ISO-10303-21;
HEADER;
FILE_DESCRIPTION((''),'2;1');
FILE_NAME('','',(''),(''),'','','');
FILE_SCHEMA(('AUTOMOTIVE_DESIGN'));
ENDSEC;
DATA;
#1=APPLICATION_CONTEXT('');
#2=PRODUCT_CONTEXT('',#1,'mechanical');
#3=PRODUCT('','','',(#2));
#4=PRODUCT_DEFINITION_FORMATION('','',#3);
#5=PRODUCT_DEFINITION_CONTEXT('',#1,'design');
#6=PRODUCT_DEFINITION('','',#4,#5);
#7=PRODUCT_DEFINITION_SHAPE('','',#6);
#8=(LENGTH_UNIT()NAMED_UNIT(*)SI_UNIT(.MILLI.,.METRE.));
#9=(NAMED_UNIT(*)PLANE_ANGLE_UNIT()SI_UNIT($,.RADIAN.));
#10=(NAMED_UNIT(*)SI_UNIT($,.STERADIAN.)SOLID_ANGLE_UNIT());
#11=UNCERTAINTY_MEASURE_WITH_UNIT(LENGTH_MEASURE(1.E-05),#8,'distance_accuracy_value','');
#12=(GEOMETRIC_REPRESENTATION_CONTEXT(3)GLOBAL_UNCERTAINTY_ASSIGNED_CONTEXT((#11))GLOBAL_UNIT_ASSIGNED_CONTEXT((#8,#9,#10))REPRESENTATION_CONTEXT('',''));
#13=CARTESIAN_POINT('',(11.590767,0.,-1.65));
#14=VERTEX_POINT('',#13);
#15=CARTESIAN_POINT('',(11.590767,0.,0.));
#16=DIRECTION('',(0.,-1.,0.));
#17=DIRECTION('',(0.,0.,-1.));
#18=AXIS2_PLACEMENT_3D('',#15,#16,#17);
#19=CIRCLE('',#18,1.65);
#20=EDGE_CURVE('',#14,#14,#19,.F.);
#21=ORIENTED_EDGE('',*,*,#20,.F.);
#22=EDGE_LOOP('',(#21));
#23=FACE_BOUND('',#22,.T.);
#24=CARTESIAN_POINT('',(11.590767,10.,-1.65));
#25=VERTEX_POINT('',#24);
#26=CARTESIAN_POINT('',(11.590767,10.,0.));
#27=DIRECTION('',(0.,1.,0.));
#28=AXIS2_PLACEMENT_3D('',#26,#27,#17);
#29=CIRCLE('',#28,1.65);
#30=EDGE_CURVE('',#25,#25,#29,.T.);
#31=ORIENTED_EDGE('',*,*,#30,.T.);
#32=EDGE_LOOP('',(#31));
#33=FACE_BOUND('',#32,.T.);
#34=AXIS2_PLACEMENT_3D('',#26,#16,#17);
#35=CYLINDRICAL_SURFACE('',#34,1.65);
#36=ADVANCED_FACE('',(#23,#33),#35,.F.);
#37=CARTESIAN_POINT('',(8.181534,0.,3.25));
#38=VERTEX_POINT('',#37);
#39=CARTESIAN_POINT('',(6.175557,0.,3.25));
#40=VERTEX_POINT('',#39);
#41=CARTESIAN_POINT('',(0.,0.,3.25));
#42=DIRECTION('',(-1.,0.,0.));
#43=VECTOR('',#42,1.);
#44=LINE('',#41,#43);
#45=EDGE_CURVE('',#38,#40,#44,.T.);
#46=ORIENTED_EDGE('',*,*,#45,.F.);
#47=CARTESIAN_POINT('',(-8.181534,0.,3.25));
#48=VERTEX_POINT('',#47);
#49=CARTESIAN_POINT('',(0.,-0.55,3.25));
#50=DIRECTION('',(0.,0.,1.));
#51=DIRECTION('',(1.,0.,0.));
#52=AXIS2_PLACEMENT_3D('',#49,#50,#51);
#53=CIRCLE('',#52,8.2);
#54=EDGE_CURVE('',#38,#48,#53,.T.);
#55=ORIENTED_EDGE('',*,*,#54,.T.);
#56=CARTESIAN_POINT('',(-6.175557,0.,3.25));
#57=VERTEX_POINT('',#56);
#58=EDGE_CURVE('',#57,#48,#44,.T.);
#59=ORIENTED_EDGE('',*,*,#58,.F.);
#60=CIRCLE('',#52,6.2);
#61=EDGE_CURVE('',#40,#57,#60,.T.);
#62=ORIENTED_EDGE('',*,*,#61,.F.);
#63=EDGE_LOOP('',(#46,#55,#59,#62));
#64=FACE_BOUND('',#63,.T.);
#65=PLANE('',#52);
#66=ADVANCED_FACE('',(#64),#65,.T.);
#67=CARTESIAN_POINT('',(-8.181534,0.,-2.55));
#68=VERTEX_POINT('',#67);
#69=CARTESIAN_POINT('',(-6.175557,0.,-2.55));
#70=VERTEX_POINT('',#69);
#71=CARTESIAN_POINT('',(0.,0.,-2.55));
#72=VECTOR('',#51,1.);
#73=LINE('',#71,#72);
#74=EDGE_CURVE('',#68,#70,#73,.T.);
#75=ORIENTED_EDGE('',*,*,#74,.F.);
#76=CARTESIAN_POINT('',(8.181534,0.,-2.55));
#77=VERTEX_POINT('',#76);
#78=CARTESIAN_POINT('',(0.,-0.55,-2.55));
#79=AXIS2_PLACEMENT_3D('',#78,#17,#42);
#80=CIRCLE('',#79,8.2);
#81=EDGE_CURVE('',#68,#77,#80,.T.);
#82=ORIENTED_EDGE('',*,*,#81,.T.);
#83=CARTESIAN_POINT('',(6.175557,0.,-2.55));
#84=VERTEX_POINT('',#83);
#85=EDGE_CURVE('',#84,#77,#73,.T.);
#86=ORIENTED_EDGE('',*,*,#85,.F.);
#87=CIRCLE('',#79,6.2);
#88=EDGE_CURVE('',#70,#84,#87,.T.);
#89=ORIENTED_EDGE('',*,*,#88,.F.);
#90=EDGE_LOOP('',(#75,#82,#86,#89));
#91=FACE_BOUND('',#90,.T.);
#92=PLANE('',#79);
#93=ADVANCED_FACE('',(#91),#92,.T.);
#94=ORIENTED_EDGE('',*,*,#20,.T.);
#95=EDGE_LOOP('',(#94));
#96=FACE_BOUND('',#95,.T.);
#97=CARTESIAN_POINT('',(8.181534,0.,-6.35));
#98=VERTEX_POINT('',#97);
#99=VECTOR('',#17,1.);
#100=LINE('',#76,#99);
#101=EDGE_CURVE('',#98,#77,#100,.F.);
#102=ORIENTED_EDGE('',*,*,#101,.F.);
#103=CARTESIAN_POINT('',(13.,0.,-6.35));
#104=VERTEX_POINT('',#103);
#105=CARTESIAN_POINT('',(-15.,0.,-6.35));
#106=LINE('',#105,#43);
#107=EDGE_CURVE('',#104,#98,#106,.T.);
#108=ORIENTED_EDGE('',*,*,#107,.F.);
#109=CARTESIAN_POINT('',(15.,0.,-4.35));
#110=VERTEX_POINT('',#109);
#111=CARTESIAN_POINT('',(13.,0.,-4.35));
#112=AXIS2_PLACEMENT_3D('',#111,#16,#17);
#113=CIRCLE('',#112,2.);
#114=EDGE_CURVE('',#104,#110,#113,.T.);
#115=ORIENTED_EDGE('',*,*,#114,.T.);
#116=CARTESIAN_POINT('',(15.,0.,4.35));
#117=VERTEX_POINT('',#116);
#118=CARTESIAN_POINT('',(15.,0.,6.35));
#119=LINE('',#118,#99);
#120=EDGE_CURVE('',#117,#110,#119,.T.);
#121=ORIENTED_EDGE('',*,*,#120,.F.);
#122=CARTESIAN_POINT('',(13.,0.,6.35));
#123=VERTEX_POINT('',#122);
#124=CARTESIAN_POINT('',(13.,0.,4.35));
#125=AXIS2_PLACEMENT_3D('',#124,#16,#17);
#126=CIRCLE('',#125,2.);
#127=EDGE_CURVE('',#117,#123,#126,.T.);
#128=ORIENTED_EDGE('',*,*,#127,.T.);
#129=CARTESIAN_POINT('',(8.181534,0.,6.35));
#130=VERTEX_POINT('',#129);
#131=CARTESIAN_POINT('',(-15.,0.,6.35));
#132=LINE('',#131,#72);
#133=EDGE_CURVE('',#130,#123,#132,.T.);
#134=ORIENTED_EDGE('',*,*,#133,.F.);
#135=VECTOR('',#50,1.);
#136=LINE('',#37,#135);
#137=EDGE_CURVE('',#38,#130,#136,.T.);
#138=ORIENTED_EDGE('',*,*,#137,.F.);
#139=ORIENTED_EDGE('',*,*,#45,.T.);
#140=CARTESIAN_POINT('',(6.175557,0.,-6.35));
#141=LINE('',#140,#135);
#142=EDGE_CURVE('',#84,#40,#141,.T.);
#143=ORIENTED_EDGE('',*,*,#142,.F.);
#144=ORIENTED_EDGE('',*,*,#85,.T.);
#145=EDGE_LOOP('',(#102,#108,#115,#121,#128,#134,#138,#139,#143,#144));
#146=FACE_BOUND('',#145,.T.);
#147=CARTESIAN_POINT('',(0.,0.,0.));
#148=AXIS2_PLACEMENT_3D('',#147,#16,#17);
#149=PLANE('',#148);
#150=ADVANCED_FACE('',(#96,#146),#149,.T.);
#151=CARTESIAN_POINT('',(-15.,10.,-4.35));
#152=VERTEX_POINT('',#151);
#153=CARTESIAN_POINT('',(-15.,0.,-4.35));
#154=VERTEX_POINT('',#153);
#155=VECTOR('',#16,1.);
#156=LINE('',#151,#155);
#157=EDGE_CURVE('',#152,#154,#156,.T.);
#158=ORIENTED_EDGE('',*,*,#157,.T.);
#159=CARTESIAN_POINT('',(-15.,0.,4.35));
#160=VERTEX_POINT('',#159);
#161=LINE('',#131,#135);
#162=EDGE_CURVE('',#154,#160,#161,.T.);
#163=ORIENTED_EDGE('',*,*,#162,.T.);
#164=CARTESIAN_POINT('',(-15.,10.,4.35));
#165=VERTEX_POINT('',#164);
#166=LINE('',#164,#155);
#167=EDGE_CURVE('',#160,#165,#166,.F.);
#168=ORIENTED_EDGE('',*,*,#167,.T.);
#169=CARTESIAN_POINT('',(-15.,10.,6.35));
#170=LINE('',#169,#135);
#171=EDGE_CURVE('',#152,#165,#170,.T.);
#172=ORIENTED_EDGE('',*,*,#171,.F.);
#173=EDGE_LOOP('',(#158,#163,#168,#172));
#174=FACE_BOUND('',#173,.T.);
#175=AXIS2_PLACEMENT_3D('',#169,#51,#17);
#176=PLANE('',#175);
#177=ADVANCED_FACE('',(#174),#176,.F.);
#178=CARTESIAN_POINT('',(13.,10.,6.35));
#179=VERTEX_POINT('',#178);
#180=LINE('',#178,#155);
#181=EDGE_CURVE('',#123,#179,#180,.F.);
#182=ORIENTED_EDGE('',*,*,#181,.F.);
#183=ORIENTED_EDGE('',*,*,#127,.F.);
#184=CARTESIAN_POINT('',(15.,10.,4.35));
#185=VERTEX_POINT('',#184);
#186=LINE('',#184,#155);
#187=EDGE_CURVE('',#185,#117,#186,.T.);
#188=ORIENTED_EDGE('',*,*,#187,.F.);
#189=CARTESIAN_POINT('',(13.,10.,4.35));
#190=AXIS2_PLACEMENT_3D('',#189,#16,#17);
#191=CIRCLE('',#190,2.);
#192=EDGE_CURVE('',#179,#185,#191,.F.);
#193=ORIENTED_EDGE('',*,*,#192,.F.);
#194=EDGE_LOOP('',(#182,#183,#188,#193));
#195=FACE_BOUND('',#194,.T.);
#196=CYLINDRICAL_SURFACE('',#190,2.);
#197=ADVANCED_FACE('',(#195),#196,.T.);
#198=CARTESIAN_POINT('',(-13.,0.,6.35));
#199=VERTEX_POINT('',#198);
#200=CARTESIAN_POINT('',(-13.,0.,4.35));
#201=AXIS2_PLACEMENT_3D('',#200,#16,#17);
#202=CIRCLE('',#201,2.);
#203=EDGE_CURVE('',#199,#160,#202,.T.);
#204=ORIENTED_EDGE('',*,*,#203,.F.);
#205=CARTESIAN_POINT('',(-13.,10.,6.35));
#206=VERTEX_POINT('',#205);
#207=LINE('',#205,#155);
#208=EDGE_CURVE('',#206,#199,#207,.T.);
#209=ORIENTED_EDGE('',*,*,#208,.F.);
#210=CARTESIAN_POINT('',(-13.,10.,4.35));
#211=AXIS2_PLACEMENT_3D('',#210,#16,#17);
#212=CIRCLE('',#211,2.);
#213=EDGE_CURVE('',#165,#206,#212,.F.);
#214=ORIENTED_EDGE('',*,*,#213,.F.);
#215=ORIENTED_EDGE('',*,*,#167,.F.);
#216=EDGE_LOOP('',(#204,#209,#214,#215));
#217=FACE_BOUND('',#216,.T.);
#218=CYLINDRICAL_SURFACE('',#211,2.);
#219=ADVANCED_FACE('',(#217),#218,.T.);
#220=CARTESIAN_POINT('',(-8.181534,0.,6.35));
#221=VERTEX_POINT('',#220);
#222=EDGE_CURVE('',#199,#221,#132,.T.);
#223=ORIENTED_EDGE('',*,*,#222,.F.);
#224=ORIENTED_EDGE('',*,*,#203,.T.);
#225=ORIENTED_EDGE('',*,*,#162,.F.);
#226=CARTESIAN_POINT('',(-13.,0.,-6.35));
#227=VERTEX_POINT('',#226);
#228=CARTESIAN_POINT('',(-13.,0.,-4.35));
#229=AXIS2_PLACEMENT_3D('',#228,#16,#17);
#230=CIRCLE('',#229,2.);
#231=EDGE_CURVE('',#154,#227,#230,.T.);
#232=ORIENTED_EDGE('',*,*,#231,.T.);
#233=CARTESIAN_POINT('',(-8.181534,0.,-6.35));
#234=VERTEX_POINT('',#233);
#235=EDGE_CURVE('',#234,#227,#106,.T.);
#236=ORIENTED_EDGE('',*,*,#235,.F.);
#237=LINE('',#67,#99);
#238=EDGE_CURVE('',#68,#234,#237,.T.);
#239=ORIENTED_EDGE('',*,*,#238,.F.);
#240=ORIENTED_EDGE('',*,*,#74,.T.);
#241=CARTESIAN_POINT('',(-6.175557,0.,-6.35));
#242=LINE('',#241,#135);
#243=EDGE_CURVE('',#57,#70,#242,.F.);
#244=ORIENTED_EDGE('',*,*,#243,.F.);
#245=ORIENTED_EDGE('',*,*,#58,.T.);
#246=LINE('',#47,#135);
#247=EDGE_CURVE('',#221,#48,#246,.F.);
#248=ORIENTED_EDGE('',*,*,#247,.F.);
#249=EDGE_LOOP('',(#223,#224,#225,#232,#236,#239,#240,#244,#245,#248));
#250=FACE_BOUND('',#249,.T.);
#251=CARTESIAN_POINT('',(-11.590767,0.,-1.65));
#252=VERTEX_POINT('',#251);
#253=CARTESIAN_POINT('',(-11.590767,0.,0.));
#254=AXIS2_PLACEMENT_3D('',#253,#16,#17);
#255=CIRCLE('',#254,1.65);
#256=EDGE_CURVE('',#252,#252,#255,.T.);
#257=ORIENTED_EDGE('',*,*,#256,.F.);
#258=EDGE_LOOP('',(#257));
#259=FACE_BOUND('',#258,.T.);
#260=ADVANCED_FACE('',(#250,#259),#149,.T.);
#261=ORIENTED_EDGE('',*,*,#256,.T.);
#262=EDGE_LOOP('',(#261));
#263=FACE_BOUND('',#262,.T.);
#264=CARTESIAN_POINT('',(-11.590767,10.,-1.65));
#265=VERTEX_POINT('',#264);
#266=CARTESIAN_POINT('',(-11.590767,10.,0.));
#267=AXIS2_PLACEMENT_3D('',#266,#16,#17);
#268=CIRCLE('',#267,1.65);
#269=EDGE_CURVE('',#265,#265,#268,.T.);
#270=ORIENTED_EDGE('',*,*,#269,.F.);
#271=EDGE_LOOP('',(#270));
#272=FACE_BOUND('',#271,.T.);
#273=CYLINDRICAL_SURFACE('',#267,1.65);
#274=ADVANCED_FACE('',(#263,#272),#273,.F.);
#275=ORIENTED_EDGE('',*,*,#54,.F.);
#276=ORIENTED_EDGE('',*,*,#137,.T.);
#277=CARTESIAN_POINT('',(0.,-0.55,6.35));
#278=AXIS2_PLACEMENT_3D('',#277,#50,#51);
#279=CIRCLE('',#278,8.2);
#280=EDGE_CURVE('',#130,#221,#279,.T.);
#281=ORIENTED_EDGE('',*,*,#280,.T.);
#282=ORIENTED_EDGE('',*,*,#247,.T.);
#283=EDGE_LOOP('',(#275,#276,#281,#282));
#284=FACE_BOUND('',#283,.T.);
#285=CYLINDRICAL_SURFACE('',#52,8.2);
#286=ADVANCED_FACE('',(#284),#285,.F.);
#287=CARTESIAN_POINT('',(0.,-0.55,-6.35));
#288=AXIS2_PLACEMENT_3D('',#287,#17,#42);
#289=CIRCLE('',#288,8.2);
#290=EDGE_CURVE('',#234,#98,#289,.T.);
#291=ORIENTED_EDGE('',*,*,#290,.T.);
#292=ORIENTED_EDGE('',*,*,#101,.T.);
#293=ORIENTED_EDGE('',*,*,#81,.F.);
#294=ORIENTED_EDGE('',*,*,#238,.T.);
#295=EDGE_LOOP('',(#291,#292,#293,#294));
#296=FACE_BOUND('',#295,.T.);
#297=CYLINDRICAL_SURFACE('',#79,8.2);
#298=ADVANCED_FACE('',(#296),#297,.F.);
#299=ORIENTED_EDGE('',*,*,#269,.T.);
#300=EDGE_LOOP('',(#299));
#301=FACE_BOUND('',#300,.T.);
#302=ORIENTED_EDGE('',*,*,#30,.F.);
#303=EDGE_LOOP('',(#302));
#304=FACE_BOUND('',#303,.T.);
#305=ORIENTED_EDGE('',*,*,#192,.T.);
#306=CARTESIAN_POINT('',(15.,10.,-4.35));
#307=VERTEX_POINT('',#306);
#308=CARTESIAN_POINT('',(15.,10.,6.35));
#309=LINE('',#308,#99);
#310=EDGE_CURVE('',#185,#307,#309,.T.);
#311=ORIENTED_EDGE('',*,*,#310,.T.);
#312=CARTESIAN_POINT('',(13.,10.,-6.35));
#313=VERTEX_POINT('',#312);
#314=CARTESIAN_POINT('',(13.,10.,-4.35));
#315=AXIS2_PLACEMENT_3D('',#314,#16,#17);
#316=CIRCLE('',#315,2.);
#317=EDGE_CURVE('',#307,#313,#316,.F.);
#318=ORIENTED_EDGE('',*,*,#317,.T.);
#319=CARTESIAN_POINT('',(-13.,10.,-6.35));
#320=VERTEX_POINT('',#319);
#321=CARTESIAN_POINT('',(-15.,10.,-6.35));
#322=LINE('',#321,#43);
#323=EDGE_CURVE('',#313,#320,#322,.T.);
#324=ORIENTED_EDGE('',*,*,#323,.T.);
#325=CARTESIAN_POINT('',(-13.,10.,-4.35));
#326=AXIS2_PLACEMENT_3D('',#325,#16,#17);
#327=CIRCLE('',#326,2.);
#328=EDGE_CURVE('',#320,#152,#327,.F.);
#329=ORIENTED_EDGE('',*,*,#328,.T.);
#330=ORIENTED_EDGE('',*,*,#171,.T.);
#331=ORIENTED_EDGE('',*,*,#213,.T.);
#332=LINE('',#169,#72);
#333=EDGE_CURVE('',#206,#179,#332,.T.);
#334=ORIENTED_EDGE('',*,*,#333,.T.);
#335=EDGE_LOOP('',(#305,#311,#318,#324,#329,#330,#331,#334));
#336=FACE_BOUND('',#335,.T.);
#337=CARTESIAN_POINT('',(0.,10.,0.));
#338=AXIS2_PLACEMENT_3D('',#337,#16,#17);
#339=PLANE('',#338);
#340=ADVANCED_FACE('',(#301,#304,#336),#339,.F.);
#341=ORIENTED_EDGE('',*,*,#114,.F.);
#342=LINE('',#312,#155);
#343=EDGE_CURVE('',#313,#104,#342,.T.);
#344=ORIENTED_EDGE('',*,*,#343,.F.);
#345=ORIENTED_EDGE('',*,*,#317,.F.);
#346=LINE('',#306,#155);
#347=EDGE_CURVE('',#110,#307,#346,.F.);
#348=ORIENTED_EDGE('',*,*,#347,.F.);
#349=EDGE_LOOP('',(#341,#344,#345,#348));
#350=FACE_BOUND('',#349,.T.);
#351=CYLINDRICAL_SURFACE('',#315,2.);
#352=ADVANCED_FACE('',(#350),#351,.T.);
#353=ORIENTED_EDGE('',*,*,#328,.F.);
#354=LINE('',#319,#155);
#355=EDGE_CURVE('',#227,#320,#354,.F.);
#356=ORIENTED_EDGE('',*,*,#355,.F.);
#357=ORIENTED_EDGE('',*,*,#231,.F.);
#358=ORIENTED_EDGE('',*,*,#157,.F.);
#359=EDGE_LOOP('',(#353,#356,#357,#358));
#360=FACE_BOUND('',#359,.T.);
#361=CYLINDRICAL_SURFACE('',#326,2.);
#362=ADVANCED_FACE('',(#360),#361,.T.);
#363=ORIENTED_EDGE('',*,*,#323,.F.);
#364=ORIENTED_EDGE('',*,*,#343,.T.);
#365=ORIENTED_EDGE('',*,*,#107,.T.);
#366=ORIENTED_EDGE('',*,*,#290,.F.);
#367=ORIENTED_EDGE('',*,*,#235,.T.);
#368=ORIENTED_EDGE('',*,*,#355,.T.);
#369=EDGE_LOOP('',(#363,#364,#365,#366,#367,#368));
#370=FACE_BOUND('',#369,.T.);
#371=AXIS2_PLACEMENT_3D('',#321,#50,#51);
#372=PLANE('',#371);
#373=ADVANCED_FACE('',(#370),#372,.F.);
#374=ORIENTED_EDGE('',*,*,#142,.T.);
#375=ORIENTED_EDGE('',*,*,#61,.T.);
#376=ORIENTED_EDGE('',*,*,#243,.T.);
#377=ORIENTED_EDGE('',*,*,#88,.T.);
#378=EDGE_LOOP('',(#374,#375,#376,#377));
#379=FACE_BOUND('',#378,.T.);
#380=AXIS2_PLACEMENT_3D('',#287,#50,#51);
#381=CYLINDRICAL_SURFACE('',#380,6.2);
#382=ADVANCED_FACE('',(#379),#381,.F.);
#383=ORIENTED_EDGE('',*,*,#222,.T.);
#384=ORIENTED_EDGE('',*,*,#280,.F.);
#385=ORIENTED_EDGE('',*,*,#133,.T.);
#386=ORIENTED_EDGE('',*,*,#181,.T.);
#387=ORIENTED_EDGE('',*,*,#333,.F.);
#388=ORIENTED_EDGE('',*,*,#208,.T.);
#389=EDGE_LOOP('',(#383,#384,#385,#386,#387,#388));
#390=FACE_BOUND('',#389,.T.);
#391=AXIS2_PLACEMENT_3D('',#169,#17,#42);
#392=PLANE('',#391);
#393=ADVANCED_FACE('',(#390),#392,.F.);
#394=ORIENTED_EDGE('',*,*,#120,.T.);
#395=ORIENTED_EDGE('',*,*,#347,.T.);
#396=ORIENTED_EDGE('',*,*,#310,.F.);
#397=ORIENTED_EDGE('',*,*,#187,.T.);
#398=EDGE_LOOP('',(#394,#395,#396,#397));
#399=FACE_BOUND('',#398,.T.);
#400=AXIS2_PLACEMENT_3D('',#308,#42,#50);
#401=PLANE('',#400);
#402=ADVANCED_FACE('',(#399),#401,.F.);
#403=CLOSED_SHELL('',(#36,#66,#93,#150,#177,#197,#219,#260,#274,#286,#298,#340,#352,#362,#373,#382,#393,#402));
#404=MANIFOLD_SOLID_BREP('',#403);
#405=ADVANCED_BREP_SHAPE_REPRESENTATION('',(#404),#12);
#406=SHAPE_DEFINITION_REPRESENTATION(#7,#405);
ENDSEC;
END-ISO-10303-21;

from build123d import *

# Parameters (mm, degrees)
SKETCH1_W               = 30
SKETCH1_H               = 12.7
BOSS_EXTRUDE1_DEPTH     = 10
SKETCH2_R               = 8.2
CUT_EXTRUDE1_DEPTH      = 3.8
CUT_EXTRUDE2_START      = -3.1
SKETCH3_R               = 8.2
CUT_EXTRUDE2_DEPTH      = 3.1
CUT_EXTRUDE3_DEPTH      = 21.424495098
CUT_EXTRUDE3_DEPTH_BACK = 21.424495098
SKETCH4_R               = 6.2
FILLET1_R               = 2
SKETCH5_R               = 1.65
CUT_EXTRUDE4_DEPTH      = 20.113411522


with BuildPart() as part:
    # Sketch1 → Boss-Extrude1 (new body)
    with BuildSketch(Plane(origin=(0, 0, 0), x_dir=(1, 0, 0), z_dir=(0, 1, 0))):
        Rectangle(SKETCH1_W, SKETCH1_H)
    extrude(amount=BOSS_EXTRUDE1_DEPTH)

    # Sketch2 → Cut-Extrude1 (cut)
    with BuildSketch(Plane(origin=(0, 0, -6.35), x_dir=(-1, 0, 0), z_dir=(0, 0, -1))):
        with Locations((0, -0.55)):
            Circle(SKETCH2_R)
    extrude(amount=-CUT_EXTRUDE1_DEPTH, mode=Mode.SUBTRACT)

    # Sketch3 → Cut-Extrude2 (cut)
    with BuildSketch(Plane.XY.offset(6.35).offset(CUT_EXTRUDE2_START)):
        with Locations((0, -0.55)):
            Circle(SKETCH3_R)
    extrude(amount=CUT_EXTRUDE2_DEPTH, mode=Mode.SUBTRACT)

    # Sketch4 → Cut-Extrude3 (cut, two sides: drawn at the far end of the back side and taken through both)
    with BuildSketch(Plane.XY.offset(3.25).offset(-CUT_EXTRUDE3_DEPTH_BACK)):
        with Locations((0, -0.55)):
            Circle(SKETCH4_R)
    extrude(amount=CUT_EXTRUDE3_DEPTH + CUT_EXTRUDE3_DEPTH_BACK, mode=Mode.SUBTRACT)

    # Fillet1
    fillet1_edges = [part.edges().sort_by_distance(p)[0] for p in [
        (15, 5, 6.35),
        (-15, 5, 6.35),
        (-15, 5, -6.35),
        (15, 5, -6.35),
    ]]
    fillet(fillet1_edges, radius=FILLET1_R)

    # Sketch5 → Cut-Extrude4 (cut, symmetric)
    with BuildSketch(Plane.XZ):
        with Locations(Location((-11.590767043, 0, 0), (0, 0, 270))):
            Circle(SKETCH5_R)
    cut_extrude4 = extrude(amount=CUT_EXTRUDE4_DEPTH, both=True, mode=Mode.SUBTRACT)

    # Mirror1: Cut-Extrude4 across plane
    add(cut_extrude4.mirror(Plane(origin=(0, 0, 0), x_dir=(0, 0, 1), z_dir=(1, 0, 0))), mode=Mode.SUBTRACT)


solid = part.part
